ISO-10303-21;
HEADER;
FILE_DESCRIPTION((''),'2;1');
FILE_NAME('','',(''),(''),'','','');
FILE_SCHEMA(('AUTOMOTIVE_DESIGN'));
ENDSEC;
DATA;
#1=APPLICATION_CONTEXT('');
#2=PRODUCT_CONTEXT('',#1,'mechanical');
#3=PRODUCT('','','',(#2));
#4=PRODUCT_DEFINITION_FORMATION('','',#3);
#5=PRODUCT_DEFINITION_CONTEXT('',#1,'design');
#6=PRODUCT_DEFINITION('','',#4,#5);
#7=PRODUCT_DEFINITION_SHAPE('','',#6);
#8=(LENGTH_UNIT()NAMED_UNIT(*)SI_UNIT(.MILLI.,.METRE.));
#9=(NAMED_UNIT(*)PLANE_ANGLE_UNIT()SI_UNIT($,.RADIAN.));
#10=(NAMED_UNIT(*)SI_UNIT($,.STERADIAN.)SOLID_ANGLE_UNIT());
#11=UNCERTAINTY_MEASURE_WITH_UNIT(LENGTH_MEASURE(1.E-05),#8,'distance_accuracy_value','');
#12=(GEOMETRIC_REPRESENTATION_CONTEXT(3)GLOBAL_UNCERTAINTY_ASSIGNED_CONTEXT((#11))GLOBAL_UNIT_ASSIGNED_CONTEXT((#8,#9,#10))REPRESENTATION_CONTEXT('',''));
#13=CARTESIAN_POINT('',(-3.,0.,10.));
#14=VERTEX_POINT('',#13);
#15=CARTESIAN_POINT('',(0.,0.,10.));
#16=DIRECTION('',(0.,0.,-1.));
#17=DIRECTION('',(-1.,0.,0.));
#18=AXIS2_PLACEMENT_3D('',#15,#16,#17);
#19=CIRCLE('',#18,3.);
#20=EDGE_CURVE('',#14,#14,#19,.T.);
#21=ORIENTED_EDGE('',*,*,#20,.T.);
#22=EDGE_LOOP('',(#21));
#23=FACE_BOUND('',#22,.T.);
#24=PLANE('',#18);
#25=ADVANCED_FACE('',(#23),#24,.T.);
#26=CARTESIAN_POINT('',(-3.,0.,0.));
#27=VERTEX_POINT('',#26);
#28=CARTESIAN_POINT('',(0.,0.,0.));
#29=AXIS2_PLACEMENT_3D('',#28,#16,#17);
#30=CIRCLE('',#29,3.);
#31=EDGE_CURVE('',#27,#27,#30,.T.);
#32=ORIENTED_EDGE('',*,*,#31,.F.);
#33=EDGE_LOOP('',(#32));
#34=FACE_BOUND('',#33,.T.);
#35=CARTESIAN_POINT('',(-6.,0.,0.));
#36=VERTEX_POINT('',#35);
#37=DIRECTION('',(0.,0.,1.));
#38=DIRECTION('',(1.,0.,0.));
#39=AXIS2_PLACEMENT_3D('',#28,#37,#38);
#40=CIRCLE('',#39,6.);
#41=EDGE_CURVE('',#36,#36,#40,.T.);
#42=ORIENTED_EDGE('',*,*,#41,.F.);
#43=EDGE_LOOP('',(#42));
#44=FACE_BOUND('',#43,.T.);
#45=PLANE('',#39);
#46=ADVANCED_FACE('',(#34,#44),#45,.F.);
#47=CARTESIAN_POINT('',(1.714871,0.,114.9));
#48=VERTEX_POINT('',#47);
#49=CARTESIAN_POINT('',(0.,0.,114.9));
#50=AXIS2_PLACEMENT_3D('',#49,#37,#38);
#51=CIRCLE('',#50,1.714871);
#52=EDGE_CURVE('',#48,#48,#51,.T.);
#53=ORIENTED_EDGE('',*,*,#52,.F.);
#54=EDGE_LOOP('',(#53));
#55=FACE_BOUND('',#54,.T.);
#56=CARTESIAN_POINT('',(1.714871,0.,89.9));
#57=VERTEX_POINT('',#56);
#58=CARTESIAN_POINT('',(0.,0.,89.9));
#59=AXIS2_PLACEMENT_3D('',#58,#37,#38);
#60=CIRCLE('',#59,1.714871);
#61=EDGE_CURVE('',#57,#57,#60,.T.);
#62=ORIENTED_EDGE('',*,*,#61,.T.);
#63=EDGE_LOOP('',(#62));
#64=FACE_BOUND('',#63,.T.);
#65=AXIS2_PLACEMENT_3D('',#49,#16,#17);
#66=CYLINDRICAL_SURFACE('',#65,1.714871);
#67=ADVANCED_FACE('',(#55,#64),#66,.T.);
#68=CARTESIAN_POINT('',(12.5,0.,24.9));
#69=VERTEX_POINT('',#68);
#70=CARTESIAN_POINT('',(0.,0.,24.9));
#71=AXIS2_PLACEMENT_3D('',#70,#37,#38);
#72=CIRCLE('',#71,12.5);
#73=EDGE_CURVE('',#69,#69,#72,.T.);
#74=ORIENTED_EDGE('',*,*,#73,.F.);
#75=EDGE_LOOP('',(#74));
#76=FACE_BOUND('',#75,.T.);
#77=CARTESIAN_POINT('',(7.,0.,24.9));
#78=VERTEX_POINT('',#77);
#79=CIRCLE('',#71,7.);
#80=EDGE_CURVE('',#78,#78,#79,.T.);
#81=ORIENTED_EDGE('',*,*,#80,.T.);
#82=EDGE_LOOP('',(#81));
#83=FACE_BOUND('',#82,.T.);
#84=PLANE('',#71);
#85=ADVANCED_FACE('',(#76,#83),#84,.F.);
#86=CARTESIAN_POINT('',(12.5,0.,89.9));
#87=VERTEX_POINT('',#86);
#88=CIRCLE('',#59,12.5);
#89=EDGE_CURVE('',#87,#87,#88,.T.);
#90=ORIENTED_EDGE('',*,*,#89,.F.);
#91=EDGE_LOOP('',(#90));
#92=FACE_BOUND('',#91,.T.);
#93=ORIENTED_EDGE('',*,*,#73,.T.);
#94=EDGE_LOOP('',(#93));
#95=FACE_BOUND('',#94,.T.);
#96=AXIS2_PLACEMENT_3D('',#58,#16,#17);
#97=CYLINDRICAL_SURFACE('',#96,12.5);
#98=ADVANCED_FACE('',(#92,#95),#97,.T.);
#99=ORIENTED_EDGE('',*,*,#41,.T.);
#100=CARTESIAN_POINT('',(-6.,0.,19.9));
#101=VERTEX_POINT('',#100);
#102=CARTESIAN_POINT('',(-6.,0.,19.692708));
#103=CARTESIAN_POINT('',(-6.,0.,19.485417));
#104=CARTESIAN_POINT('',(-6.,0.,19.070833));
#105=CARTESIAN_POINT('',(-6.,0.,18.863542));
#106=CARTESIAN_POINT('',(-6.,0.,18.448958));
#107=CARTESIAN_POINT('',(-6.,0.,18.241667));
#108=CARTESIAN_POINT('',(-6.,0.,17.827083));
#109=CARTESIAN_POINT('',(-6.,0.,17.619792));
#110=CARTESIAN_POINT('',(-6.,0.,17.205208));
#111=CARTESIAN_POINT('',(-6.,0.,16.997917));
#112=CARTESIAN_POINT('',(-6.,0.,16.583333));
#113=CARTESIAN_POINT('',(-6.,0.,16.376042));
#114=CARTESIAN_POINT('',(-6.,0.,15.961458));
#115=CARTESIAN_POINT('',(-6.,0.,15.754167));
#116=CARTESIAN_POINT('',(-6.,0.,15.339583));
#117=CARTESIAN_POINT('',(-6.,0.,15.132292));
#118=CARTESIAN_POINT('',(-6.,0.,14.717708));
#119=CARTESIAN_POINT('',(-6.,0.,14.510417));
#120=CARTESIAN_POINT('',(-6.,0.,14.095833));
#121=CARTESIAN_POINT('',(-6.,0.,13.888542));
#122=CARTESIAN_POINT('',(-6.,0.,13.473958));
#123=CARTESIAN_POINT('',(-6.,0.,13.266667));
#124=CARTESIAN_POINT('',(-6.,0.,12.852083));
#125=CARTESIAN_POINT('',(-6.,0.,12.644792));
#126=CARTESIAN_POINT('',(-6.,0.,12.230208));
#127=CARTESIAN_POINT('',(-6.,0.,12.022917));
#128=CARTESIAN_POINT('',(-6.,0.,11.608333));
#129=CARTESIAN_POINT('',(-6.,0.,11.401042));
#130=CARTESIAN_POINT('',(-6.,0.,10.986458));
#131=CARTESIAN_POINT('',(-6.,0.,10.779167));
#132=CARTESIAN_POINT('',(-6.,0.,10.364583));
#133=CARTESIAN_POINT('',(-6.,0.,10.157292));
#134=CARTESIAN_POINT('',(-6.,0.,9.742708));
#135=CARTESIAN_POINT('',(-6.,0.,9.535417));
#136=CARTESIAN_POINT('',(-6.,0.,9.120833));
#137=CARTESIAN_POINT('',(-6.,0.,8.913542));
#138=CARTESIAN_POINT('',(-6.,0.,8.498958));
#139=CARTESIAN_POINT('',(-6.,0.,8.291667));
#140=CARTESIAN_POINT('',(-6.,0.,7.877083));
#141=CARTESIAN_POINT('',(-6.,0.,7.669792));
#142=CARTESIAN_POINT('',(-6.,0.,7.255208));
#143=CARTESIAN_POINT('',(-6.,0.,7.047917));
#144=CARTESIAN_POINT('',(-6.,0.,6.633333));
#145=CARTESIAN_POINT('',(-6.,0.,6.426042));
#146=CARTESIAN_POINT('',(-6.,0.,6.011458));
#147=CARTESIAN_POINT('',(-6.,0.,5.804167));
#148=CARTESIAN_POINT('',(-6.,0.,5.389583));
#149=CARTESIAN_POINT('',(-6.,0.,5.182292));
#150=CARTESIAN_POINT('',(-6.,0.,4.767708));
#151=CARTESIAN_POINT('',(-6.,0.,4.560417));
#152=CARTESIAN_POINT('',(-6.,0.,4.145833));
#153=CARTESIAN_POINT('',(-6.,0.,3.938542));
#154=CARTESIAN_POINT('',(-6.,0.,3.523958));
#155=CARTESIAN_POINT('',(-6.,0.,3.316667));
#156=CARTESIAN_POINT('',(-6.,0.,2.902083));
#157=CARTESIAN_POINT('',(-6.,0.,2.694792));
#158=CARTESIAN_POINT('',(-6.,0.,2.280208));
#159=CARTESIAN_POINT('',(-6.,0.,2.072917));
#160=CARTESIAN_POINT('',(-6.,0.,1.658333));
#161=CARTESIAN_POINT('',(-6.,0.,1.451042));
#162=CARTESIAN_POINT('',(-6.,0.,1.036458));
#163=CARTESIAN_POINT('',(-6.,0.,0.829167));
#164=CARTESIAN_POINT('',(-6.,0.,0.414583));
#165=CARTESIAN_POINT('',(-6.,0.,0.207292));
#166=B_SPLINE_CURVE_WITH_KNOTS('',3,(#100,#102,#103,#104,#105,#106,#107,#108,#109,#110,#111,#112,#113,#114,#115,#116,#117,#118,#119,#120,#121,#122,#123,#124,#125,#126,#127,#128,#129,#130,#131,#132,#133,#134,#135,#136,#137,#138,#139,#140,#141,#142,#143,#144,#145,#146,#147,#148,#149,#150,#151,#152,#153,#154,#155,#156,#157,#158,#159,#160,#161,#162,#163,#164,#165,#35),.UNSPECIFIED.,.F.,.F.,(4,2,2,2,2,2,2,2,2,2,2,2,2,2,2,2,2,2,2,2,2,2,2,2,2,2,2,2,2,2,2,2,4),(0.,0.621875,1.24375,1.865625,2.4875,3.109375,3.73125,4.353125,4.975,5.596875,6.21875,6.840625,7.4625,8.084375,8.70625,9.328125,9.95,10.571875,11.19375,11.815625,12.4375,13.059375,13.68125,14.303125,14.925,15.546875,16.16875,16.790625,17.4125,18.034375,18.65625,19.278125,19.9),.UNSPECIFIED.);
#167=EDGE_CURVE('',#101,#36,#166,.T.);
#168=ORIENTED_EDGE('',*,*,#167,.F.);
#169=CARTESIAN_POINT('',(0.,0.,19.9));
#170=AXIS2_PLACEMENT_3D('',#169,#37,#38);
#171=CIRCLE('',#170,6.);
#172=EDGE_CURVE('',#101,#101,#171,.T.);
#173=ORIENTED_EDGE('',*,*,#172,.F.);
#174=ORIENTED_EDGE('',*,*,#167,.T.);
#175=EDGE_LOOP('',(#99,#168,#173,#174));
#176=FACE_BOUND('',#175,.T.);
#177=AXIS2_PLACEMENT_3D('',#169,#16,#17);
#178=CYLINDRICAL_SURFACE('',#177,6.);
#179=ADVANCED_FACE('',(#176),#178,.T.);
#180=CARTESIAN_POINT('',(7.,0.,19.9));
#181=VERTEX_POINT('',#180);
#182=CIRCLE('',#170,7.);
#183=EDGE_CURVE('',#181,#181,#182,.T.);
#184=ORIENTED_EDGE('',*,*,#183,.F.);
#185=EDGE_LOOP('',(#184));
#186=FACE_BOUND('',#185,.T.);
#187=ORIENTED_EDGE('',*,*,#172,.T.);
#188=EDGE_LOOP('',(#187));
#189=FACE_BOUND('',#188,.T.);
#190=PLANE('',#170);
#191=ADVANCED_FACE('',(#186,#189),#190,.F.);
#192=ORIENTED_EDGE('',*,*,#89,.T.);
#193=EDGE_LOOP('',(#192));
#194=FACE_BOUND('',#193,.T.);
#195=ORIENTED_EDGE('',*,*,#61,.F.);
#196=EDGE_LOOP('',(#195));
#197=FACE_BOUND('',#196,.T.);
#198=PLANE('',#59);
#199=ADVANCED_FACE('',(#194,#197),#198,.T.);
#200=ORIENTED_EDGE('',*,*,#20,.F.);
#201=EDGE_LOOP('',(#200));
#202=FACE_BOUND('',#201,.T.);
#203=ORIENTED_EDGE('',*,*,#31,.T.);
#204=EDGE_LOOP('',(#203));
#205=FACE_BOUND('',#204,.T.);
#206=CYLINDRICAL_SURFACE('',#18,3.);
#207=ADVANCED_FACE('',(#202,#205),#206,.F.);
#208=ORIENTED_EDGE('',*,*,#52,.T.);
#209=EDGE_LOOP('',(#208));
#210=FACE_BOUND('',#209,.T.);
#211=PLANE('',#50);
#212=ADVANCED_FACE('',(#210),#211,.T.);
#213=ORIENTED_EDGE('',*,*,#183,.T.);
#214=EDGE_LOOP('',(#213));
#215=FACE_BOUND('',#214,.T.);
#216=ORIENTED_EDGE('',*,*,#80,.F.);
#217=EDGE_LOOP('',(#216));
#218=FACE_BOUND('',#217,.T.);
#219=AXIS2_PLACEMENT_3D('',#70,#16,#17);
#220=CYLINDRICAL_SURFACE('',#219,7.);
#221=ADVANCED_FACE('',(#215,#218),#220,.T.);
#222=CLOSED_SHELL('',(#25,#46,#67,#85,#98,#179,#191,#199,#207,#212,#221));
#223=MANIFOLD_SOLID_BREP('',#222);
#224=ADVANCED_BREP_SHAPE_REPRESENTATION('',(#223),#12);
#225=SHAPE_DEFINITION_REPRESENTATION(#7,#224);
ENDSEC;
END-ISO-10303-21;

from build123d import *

# Parameters (mm, degrees)
SKETCH1_R                  = 6
BEARING_JOURNAL_12MM_DEPTH = 19.9
SKETCH2_R                  = 7
BOSS_EXTRUDE2_DEPTH        = 5
SKETCH3_R                  = 12.5
BODY_M25_DEPTH             = 65
SKETCH4_R                  = 1.714870996
CABLE_DEPTH                = 25
SKETCH5_R                  = 3
CUT_EXTRUDE_M6_DEPTH       = 10


with BuildPart() as part:
    # Sketch1 → Bearing Journal-12mm (new body)
    with BuildSketch(Plane.XY):
        with Locations(Location((0, 0, 0), (0, 0, 180))):
            Circle(SKETCH1_R)
    extrude(amount=BEARING_JOURNAL_12MM_DEPTH)

    # Sketch2 → Boss-Extrude2 (add)
    with BuildSketch(Plane.XY.offset(19.9)):
        Circle(SKETCH2_R)
    extrude(amount=BOSS_EXTRUDE2_DEPTH)

    # Sketch3 → Body-M25 (add)
    with BuildSketch(Plane.XY.offset(24.9)):
        Circle(SKETCH3_R)
    extrude(amount=BODY_M25_DEPTH)

    # Sketch4 → Cable (add)
    with BuildSketch(Plane.XY.offset(89.9)):
        Circle(SKETCH4_R)
    extrude(amount=CABLE_DEPTH)

    # Sketch5 → Cut-Extrude M6 (cut)
    with BuildSketch(Plane(origin=(0, 0, 0), x_dir=(-1, 0, 0), z_dir=(0, 0, -1))):
        Circle(SKETCH5_R)
    extrude(amount=-CUT_EXTRUDE_M6_DEPTH, mode=Mode.SUBTRACT)


solid = part.part
